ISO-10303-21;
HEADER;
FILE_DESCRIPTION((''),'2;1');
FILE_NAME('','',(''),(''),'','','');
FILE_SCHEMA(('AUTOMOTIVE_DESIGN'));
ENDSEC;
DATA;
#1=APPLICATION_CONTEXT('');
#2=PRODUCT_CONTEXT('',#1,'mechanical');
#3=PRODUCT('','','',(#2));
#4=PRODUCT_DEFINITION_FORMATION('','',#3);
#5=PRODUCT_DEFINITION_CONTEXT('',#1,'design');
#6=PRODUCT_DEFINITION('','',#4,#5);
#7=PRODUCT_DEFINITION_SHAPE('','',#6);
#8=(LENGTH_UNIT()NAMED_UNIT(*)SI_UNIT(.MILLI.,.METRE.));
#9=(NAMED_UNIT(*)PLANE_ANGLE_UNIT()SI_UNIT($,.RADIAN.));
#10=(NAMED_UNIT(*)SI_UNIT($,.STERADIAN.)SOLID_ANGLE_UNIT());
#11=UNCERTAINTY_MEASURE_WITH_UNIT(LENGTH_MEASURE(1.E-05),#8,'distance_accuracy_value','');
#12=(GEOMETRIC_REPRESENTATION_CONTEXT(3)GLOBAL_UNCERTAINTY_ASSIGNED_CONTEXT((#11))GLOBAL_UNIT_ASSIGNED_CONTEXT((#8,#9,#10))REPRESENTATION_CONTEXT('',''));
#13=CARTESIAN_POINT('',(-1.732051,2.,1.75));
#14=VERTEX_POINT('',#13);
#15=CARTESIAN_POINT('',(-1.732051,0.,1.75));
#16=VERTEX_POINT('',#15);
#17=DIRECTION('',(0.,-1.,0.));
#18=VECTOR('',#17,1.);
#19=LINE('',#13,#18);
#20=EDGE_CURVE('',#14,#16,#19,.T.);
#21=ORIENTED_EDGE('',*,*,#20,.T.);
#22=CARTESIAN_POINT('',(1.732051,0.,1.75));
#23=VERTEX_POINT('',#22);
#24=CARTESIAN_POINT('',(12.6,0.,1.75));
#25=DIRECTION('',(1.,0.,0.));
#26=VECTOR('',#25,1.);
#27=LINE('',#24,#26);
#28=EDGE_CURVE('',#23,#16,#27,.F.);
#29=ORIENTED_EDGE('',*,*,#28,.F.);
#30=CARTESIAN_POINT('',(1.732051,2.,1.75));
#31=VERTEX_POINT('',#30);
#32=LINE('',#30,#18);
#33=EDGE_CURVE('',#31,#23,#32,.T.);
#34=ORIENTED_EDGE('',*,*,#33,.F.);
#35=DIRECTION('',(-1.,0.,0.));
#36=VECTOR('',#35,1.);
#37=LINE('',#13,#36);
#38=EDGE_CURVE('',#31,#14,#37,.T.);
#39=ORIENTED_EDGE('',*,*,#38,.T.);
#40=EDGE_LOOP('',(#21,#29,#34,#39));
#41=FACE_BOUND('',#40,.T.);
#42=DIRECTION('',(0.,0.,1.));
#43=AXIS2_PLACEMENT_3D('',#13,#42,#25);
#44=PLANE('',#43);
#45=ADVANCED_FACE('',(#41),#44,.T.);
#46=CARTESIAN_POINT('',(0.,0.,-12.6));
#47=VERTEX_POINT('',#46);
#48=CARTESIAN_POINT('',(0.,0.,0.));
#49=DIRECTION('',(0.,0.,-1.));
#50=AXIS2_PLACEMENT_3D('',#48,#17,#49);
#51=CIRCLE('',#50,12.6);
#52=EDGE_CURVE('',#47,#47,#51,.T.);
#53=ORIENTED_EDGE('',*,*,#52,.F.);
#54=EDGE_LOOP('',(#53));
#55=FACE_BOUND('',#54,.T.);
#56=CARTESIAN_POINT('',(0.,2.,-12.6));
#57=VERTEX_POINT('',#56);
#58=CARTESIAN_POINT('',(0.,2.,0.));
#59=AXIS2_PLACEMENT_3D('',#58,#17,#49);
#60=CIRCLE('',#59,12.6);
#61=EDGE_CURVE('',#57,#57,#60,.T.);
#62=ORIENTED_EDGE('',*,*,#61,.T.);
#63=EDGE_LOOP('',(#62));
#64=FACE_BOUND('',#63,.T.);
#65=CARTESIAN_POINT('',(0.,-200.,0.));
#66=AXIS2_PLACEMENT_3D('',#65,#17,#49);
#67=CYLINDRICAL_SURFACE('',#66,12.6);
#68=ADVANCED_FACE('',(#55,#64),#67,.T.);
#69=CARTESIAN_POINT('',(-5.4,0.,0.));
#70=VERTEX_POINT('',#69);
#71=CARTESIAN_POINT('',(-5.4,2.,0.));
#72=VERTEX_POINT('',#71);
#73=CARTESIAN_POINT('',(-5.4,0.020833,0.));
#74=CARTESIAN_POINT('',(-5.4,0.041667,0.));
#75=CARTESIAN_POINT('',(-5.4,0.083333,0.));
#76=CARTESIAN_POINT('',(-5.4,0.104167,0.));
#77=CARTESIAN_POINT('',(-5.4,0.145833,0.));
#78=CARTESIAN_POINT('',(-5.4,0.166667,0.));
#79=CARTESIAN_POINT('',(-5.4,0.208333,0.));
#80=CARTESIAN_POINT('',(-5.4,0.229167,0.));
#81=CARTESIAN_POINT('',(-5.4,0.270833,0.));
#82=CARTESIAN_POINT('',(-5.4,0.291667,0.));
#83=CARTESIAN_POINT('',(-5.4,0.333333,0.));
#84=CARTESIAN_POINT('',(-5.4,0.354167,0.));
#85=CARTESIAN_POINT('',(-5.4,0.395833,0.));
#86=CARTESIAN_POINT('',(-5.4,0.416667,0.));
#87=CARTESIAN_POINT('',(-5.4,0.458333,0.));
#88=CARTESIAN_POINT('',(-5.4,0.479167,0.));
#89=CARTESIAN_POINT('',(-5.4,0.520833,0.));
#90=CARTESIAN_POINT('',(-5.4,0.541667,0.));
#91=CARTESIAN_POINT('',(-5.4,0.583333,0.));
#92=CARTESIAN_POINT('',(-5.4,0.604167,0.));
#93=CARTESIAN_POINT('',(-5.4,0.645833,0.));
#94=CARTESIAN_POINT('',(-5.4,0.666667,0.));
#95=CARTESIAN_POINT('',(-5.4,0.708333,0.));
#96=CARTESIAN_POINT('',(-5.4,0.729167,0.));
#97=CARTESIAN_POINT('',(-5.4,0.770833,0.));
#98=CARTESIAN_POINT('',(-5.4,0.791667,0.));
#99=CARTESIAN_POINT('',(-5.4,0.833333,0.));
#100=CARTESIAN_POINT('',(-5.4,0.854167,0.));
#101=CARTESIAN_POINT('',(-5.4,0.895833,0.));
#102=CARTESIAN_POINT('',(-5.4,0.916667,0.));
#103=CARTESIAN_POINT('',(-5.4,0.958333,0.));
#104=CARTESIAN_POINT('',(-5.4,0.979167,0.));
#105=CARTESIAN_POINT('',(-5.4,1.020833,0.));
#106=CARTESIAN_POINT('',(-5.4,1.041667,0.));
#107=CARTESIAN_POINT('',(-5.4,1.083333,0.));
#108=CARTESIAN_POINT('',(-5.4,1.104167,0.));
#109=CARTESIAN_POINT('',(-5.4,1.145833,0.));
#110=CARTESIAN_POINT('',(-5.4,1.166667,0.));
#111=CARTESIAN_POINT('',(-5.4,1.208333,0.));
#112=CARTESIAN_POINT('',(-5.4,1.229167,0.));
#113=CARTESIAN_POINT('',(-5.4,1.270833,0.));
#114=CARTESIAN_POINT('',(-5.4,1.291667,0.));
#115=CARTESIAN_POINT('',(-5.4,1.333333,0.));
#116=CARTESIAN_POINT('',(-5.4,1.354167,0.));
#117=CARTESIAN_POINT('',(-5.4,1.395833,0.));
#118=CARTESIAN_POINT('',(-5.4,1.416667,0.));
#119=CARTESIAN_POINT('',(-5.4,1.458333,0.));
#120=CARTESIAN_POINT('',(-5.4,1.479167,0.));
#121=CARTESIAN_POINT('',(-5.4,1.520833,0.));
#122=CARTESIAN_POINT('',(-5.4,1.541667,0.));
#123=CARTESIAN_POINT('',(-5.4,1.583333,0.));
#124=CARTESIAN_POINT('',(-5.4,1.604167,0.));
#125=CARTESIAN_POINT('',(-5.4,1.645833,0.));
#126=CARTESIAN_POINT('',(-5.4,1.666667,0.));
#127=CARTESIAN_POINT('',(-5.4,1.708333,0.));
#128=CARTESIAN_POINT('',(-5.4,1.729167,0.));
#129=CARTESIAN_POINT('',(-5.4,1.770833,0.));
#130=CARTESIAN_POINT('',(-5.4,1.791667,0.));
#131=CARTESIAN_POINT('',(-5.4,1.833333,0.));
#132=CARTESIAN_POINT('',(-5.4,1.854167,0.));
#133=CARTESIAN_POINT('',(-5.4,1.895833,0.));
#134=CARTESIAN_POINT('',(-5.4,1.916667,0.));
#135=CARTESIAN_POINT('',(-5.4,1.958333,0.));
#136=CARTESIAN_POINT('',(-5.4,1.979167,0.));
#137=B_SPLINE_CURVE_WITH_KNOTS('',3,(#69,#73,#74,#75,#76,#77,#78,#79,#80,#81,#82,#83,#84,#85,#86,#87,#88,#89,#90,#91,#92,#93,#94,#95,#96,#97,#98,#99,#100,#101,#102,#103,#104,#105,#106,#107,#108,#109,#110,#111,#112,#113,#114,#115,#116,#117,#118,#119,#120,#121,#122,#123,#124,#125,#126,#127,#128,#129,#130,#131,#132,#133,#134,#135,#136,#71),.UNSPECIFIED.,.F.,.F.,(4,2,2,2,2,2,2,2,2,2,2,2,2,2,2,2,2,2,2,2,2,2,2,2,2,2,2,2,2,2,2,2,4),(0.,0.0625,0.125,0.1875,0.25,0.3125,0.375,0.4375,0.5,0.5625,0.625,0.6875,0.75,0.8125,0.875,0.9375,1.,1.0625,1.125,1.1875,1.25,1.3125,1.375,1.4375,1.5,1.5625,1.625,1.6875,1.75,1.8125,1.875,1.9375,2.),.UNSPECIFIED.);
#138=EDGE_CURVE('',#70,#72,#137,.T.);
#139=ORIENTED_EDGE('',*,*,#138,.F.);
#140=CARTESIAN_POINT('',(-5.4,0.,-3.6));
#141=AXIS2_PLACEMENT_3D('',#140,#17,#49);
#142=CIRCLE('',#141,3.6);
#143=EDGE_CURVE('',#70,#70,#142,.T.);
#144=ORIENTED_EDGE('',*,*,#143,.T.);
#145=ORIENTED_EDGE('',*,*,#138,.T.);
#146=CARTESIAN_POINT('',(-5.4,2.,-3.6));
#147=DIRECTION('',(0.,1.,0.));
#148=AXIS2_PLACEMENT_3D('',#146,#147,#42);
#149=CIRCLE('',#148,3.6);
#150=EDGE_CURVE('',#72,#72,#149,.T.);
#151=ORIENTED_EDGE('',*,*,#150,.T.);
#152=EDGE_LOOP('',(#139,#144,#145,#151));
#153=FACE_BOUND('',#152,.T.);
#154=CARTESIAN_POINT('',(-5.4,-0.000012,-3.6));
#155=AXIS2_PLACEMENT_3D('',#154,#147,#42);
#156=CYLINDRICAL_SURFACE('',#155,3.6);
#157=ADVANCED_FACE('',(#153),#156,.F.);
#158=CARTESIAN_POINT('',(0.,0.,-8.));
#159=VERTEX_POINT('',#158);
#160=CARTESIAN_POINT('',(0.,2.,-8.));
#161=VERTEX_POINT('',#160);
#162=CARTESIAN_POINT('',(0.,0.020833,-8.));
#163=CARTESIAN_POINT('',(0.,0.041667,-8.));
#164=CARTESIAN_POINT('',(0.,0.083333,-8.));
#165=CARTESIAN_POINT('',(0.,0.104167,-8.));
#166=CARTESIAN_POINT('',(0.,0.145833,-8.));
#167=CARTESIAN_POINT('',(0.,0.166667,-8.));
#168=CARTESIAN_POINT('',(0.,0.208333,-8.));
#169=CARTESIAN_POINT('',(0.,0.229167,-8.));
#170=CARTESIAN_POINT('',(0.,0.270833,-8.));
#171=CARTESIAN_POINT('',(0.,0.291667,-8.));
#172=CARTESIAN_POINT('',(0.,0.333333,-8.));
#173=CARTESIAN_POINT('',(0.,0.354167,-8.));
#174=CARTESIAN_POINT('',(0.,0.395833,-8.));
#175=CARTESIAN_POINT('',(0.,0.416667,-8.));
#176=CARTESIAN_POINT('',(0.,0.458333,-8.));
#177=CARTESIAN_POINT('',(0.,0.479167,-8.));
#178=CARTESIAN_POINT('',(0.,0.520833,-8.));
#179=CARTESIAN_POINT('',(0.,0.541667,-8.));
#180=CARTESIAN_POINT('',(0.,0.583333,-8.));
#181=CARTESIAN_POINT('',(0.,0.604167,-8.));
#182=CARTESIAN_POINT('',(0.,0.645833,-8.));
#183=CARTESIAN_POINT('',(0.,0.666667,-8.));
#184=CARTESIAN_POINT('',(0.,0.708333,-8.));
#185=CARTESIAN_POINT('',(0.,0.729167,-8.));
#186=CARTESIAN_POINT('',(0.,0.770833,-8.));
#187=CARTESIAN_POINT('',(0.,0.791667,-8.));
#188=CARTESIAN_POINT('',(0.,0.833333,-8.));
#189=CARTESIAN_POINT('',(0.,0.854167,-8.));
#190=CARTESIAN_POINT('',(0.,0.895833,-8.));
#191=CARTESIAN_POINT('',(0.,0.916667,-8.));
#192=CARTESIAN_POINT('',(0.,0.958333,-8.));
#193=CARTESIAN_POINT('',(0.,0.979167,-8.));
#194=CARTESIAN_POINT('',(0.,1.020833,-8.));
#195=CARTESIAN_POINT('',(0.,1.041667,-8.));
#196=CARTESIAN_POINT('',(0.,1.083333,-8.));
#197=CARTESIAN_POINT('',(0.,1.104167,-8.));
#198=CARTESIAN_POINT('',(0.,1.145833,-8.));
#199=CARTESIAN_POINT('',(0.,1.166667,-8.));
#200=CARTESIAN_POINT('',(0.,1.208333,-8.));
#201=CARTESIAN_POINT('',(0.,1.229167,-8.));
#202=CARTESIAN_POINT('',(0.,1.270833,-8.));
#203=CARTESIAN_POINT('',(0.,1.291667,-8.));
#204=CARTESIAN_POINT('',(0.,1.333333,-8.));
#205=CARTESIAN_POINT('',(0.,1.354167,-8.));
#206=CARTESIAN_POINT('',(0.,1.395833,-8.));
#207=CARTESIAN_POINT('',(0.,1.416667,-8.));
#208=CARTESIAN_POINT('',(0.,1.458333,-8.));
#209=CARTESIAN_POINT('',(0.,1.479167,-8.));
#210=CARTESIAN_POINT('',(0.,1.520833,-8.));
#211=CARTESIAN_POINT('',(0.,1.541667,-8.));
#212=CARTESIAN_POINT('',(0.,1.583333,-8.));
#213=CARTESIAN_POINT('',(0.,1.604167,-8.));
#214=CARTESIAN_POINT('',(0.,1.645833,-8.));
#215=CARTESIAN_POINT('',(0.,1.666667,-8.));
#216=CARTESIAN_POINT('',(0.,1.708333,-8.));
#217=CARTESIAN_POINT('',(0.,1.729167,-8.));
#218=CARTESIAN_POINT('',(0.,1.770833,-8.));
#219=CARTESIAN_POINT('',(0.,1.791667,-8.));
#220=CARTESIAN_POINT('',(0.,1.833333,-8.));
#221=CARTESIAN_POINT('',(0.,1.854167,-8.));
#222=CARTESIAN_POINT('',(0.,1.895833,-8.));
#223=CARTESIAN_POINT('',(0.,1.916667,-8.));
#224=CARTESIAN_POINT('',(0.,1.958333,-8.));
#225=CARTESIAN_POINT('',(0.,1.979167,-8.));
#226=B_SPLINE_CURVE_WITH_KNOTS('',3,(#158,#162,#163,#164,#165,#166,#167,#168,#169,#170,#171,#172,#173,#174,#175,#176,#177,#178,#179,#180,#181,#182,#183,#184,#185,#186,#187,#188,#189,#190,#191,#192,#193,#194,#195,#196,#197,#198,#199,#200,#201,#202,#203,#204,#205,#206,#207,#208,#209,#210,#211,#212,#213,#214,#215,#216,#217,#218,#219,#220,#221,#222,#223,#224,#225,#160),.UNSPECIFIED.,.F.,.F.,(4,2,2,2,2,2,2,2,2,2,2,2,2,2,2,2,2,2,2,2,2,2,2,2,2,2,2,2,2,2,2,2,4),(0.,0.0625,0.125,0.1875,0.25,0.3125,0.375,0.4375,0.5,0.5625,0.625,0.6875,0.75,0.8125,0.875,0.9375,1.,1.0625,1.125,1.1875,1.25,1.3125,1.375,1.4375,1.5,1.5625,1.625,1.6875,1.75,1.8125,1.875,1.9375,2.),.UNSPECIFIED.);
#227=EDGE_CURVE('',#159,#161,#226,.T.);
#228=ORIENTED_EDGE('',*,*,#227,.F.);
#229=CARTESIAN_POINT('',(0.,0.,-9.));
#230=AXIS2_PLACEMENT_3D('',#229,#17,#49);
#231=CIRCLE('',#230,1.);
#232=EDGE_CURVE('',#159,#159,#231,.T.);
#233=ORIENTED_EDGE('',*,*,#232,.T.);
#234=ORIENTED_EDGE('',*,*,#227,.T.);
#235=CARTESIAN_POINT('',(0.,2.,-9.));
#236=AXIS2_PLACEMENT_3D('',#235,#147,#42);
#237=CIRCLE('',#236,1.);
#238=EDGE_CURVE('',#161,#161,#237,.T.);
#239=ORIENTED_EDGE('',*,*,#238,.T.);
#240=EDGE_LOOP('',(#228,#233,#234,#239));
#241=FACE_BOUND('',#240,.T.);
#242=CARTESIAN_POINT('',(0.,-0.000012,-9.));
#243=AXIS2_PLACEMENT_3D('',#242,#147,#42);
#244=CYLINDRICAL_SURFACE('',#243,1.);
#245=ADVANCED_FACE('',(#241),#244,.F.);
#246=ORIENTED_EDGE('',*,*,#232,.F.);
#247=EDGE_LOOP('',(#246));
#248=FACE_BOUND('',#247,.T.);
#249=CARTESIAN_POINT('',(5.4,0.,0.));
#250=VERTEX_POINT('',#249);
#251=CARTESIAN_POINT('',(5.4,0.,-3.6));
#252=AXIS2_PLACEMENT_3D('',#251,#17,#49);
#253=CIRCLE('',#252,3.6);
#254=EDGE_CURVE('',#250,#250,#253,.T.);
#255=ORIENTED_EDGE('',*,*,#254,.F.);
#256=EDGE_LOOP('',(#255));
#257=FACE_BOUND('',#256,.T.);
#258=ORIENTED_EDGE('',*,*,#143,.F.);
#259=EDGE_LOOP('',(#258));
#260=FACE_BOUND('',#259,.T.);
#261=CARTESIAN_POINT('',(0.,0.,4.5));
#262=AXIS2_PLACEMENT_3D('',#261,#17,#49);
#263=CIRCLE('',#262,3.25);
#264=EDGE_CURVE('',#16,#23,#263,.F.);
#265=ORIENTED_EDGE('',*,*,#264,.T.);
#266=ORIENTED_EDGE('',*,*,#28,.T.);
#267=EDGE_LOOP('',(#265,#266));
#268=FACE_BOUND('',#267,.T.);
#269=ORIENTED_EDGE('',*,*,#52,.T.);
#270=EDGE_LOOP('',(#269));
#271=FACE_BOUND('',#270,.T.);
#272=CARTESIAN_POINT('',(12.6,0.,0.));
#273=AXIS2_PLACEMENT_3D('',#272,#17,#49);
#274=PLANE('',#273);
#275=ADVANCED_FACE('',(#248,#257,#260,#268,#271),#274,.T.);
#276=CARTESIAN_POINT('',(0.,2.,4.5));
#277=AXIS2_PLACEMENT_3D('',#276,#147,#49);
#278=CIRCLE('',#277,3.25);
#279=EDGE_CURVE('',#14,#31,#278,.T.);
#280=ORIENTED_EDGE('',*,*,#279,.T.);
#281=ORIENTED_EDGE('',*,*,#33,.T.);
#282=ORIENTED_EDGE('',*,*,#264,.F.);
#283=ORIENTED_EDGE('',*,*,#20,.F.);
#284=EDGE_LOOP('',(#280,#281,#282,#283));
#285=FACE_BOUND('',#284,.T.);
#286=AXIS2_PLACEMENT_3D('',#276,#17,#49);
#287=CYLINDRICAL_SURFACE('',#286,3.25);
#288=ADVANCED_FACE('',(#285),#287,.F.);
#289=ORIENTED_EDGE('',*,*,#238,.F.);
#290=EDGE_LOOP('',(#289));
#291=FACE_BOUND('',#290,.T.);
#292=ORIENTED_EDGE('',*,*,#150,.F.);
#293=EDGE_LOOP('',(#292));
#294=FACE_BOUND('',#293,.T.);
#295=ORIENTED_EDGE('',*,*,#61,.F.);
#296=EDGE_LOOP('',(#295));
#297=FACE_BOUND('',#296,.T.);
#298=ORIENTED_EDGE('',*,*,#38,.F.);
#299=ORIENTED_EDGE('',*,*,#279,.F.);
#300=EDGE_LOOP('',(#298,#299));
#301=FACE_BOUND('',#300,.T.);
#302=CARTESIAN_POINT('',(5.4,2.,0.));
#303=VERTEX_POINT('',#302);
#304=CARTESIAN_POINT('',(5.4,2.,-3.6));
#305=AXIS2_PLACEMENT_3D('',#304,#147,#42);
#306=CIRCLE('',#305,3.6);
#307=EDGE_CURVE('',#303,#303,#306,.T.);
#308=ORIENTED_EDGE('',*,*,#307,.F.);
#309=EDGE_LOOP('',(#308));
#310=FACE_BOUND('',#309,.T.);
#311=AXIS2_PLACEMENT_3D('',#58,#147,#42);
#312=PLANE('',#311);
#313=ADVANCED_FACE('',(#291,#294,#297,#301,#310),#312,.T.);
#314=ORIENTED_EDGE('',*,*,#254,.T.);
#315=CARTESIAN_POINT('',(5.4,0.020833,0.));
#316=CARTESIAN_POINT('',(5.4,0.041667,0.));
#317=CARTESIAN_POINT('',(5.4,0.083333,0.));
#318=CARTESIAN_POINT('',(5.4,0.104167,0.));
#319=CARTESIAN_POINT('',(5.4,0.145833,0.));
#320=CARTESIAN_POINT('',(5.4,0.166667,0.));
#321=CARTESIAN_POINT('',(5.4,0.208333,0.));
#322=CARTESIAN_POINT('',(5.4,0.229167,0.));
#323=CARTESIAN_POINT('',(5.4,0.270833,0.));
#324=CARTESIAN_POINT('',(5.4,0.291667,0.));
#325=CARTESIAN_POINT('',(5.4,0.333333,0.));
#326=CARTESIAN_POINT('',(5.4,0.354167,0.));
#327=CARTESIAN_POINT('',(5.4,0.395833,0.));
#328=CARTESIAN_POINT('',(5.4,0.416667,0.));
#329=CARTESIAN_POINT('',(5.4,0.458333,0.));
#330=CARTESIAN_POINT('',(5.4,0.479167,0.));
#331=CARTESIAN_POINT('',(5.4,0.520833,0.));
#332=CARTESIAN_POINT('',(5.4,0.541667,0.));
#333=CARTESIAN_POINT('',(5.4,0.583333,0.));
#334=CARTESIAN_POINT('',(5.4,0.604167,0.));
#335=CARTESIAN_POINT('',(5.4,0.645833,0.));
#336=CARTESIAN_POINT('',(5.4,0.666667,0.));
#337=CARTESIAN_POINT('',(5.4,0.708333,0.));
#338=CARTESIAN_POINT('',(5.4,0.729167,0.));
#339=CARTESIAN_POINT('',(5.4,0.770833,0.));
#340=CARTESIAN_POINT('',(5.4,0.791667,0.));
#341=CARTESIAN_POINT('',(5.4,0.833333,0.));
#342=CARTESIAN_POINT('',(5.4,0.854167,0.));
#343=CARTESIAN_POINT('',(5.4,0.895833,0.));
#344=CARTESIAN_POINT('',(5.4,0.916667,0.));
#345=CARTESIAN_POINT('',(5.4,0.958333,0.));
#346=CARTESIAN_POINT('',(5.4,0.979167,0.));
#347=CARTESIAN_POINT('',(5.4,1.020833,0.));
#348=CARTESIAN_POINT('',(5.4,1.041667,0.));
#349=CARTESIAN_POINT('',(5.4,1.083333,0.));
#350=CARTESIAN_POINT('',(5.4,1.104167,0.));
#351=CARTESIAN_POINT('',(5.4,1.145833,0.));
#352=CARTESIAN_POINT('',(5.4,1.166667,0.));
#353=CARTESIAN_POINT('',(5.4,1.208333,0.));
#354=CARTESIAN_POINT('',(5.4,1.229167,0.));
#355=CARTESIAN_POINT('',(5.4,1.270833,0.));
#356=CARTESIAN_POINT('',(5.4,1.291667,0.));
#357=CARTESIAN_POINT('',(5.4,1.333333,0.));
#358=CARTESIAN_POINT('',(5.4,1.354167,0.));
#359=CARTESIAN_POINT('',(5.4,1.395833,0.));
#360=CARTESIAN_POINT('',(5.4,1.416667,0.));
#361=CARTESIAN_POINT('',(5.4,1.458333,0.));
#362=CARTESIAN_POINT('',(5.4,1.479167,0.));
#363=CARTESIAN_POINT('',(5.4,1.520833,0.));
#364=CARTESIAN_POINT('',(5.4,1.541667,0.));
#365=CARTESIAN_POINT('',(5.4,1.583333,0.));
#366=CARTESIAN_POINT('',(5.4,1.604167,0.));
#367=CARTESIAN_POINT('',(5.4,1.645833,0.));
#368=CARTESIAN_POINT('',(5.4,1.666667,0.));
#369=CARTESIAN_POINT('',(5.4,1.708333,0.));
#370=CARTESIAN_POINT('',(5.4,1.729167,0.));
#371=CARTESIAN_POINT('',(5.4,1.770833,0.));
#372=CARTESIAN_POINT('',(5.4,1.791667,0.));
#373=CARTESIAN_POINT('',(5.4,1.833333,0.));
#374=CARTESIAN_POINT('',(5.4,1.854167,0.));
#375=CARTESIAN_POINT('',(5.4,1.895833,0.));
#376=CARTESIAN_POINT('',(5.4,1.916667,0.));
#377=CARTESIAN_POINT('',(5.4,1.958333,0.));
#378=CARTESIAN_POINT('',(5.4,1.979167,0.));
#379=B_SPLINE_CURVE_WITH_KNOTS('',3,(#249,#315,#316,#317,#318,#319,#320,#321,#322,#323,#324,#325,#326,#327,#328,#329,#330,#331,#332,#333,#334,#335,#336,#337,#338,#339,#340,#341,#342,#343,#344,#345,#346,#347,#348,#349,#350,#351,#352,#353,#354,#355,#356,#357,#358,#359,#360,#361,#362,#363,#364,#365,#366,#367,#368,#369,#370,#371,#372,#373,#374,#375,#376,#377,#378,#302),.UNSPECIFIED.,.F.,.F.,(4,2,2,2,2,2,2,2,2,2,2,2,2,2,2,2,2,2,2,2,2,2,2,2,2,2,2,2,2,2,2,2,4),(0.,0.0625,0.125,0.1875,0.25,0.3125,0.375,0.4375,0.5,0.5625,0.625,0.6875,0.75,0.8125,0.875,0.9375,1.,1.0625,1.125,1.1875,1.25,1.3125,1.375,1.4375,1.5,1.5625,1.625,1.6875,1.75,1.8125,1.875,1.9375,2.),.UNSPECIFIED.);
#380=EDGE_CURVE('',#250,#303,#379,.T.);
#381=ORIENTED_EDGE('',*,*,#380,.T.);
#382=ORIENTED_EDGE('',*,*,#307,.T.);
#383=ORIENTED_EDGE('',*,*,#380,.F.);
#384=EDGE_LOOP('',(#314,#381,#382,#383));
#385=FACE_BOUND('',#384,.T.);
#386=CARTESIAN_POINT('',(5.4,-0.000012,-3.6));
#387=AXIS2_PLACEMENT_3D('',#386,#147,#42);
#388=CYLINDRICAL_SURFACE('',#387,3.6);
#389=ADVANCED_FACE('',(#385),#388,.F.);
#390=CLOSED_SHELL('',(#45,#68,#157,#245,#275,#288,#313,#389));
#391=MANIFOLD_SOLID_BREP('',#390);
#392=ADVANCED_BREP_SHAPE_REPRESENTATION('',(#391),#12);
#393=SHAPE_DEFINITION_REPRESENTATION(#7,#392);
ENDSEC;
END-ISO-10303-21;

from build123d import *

# Parameters (mm, degrees)
SKETCH1_W                                     = 12.6
SKETCH1_H                                     = 2
FOUR_THROUGH_HOLES_BOTH_DIRECTIONS_DEPTH      = 18.93097878
FOUR_THROUGH_HOLES_BOTH_DIRECTIONS_DEPTH_BACK = 18.93097878
SMA_D6_5_HOSES_D7_2_VENT_D2_R                 = 3.6
SMA_D6_5_HOSES_D7_2_VENT_D2_R_2               = 1


with BuildPart() as part:
    # Sketch1 → Revolve1 (revolve)
    with BuildSketch(Plane.XY, mode=Mode.PRIVATE) as revolve1_sk:
        with Locations((6.3, 1)):
            Rectangle(SKETCH1_W, SKETCH1_H)
    revolve(revolve1_sk.sketch.rotate(Axis((0, -200, 0), (0, 1, 0)), 90), axis=Axis((0, -200, 0), (0, 1, 0)))

    # SMA D6.5 - hoses D7.2 - vent D2 → Four through holes - both directions (cut, two sides: drawn at the far end of the back side and taken through both)
    with BuildSketch(Plane(origin=(0, 0, 0), x_dir=(1, 0, 0), z_dir=(0, 1, 0)).offset(-FOUR_THROUGH_HOLES_BOTH_DIRECTIONS_DEPTH_BACK)):
        with Locations(Location((-5.4, 3.6, 0), (0, 0, 270))):
            Circle(SMA_D6_5_HOSES_D7_2_VENT_D2_R)
        with Locations(Location((5.4, 3.6, 0), (0, 0, 270))):
            Circle(SMA_D6_5_HOSES_D7_2_VENT_D2_R)
        with Locations(Location((0, 9, 0), (0, 0, 270))):
            Circle(SMA_D6_5_HOSES_D7_2_VENT_D2_R_2)
        with BuildLine():
            Line((-1.732050808, -1.75), (1.732050808, -1.75))
            ThreePointArc((1.732050808, -1.75), (0, -7.75), (-1.732050808, -1.75))
        make_face()
    extrude(amount=FOUR_THROUGH_HOLES_BOTH_DIRECTIONS_DEPTH + FOUR_THROUGH_HOLES_BOTH_DIRECTIONS_DEPTH_BACK, mode=Mode.SUBTRACT)


solid = part.part
